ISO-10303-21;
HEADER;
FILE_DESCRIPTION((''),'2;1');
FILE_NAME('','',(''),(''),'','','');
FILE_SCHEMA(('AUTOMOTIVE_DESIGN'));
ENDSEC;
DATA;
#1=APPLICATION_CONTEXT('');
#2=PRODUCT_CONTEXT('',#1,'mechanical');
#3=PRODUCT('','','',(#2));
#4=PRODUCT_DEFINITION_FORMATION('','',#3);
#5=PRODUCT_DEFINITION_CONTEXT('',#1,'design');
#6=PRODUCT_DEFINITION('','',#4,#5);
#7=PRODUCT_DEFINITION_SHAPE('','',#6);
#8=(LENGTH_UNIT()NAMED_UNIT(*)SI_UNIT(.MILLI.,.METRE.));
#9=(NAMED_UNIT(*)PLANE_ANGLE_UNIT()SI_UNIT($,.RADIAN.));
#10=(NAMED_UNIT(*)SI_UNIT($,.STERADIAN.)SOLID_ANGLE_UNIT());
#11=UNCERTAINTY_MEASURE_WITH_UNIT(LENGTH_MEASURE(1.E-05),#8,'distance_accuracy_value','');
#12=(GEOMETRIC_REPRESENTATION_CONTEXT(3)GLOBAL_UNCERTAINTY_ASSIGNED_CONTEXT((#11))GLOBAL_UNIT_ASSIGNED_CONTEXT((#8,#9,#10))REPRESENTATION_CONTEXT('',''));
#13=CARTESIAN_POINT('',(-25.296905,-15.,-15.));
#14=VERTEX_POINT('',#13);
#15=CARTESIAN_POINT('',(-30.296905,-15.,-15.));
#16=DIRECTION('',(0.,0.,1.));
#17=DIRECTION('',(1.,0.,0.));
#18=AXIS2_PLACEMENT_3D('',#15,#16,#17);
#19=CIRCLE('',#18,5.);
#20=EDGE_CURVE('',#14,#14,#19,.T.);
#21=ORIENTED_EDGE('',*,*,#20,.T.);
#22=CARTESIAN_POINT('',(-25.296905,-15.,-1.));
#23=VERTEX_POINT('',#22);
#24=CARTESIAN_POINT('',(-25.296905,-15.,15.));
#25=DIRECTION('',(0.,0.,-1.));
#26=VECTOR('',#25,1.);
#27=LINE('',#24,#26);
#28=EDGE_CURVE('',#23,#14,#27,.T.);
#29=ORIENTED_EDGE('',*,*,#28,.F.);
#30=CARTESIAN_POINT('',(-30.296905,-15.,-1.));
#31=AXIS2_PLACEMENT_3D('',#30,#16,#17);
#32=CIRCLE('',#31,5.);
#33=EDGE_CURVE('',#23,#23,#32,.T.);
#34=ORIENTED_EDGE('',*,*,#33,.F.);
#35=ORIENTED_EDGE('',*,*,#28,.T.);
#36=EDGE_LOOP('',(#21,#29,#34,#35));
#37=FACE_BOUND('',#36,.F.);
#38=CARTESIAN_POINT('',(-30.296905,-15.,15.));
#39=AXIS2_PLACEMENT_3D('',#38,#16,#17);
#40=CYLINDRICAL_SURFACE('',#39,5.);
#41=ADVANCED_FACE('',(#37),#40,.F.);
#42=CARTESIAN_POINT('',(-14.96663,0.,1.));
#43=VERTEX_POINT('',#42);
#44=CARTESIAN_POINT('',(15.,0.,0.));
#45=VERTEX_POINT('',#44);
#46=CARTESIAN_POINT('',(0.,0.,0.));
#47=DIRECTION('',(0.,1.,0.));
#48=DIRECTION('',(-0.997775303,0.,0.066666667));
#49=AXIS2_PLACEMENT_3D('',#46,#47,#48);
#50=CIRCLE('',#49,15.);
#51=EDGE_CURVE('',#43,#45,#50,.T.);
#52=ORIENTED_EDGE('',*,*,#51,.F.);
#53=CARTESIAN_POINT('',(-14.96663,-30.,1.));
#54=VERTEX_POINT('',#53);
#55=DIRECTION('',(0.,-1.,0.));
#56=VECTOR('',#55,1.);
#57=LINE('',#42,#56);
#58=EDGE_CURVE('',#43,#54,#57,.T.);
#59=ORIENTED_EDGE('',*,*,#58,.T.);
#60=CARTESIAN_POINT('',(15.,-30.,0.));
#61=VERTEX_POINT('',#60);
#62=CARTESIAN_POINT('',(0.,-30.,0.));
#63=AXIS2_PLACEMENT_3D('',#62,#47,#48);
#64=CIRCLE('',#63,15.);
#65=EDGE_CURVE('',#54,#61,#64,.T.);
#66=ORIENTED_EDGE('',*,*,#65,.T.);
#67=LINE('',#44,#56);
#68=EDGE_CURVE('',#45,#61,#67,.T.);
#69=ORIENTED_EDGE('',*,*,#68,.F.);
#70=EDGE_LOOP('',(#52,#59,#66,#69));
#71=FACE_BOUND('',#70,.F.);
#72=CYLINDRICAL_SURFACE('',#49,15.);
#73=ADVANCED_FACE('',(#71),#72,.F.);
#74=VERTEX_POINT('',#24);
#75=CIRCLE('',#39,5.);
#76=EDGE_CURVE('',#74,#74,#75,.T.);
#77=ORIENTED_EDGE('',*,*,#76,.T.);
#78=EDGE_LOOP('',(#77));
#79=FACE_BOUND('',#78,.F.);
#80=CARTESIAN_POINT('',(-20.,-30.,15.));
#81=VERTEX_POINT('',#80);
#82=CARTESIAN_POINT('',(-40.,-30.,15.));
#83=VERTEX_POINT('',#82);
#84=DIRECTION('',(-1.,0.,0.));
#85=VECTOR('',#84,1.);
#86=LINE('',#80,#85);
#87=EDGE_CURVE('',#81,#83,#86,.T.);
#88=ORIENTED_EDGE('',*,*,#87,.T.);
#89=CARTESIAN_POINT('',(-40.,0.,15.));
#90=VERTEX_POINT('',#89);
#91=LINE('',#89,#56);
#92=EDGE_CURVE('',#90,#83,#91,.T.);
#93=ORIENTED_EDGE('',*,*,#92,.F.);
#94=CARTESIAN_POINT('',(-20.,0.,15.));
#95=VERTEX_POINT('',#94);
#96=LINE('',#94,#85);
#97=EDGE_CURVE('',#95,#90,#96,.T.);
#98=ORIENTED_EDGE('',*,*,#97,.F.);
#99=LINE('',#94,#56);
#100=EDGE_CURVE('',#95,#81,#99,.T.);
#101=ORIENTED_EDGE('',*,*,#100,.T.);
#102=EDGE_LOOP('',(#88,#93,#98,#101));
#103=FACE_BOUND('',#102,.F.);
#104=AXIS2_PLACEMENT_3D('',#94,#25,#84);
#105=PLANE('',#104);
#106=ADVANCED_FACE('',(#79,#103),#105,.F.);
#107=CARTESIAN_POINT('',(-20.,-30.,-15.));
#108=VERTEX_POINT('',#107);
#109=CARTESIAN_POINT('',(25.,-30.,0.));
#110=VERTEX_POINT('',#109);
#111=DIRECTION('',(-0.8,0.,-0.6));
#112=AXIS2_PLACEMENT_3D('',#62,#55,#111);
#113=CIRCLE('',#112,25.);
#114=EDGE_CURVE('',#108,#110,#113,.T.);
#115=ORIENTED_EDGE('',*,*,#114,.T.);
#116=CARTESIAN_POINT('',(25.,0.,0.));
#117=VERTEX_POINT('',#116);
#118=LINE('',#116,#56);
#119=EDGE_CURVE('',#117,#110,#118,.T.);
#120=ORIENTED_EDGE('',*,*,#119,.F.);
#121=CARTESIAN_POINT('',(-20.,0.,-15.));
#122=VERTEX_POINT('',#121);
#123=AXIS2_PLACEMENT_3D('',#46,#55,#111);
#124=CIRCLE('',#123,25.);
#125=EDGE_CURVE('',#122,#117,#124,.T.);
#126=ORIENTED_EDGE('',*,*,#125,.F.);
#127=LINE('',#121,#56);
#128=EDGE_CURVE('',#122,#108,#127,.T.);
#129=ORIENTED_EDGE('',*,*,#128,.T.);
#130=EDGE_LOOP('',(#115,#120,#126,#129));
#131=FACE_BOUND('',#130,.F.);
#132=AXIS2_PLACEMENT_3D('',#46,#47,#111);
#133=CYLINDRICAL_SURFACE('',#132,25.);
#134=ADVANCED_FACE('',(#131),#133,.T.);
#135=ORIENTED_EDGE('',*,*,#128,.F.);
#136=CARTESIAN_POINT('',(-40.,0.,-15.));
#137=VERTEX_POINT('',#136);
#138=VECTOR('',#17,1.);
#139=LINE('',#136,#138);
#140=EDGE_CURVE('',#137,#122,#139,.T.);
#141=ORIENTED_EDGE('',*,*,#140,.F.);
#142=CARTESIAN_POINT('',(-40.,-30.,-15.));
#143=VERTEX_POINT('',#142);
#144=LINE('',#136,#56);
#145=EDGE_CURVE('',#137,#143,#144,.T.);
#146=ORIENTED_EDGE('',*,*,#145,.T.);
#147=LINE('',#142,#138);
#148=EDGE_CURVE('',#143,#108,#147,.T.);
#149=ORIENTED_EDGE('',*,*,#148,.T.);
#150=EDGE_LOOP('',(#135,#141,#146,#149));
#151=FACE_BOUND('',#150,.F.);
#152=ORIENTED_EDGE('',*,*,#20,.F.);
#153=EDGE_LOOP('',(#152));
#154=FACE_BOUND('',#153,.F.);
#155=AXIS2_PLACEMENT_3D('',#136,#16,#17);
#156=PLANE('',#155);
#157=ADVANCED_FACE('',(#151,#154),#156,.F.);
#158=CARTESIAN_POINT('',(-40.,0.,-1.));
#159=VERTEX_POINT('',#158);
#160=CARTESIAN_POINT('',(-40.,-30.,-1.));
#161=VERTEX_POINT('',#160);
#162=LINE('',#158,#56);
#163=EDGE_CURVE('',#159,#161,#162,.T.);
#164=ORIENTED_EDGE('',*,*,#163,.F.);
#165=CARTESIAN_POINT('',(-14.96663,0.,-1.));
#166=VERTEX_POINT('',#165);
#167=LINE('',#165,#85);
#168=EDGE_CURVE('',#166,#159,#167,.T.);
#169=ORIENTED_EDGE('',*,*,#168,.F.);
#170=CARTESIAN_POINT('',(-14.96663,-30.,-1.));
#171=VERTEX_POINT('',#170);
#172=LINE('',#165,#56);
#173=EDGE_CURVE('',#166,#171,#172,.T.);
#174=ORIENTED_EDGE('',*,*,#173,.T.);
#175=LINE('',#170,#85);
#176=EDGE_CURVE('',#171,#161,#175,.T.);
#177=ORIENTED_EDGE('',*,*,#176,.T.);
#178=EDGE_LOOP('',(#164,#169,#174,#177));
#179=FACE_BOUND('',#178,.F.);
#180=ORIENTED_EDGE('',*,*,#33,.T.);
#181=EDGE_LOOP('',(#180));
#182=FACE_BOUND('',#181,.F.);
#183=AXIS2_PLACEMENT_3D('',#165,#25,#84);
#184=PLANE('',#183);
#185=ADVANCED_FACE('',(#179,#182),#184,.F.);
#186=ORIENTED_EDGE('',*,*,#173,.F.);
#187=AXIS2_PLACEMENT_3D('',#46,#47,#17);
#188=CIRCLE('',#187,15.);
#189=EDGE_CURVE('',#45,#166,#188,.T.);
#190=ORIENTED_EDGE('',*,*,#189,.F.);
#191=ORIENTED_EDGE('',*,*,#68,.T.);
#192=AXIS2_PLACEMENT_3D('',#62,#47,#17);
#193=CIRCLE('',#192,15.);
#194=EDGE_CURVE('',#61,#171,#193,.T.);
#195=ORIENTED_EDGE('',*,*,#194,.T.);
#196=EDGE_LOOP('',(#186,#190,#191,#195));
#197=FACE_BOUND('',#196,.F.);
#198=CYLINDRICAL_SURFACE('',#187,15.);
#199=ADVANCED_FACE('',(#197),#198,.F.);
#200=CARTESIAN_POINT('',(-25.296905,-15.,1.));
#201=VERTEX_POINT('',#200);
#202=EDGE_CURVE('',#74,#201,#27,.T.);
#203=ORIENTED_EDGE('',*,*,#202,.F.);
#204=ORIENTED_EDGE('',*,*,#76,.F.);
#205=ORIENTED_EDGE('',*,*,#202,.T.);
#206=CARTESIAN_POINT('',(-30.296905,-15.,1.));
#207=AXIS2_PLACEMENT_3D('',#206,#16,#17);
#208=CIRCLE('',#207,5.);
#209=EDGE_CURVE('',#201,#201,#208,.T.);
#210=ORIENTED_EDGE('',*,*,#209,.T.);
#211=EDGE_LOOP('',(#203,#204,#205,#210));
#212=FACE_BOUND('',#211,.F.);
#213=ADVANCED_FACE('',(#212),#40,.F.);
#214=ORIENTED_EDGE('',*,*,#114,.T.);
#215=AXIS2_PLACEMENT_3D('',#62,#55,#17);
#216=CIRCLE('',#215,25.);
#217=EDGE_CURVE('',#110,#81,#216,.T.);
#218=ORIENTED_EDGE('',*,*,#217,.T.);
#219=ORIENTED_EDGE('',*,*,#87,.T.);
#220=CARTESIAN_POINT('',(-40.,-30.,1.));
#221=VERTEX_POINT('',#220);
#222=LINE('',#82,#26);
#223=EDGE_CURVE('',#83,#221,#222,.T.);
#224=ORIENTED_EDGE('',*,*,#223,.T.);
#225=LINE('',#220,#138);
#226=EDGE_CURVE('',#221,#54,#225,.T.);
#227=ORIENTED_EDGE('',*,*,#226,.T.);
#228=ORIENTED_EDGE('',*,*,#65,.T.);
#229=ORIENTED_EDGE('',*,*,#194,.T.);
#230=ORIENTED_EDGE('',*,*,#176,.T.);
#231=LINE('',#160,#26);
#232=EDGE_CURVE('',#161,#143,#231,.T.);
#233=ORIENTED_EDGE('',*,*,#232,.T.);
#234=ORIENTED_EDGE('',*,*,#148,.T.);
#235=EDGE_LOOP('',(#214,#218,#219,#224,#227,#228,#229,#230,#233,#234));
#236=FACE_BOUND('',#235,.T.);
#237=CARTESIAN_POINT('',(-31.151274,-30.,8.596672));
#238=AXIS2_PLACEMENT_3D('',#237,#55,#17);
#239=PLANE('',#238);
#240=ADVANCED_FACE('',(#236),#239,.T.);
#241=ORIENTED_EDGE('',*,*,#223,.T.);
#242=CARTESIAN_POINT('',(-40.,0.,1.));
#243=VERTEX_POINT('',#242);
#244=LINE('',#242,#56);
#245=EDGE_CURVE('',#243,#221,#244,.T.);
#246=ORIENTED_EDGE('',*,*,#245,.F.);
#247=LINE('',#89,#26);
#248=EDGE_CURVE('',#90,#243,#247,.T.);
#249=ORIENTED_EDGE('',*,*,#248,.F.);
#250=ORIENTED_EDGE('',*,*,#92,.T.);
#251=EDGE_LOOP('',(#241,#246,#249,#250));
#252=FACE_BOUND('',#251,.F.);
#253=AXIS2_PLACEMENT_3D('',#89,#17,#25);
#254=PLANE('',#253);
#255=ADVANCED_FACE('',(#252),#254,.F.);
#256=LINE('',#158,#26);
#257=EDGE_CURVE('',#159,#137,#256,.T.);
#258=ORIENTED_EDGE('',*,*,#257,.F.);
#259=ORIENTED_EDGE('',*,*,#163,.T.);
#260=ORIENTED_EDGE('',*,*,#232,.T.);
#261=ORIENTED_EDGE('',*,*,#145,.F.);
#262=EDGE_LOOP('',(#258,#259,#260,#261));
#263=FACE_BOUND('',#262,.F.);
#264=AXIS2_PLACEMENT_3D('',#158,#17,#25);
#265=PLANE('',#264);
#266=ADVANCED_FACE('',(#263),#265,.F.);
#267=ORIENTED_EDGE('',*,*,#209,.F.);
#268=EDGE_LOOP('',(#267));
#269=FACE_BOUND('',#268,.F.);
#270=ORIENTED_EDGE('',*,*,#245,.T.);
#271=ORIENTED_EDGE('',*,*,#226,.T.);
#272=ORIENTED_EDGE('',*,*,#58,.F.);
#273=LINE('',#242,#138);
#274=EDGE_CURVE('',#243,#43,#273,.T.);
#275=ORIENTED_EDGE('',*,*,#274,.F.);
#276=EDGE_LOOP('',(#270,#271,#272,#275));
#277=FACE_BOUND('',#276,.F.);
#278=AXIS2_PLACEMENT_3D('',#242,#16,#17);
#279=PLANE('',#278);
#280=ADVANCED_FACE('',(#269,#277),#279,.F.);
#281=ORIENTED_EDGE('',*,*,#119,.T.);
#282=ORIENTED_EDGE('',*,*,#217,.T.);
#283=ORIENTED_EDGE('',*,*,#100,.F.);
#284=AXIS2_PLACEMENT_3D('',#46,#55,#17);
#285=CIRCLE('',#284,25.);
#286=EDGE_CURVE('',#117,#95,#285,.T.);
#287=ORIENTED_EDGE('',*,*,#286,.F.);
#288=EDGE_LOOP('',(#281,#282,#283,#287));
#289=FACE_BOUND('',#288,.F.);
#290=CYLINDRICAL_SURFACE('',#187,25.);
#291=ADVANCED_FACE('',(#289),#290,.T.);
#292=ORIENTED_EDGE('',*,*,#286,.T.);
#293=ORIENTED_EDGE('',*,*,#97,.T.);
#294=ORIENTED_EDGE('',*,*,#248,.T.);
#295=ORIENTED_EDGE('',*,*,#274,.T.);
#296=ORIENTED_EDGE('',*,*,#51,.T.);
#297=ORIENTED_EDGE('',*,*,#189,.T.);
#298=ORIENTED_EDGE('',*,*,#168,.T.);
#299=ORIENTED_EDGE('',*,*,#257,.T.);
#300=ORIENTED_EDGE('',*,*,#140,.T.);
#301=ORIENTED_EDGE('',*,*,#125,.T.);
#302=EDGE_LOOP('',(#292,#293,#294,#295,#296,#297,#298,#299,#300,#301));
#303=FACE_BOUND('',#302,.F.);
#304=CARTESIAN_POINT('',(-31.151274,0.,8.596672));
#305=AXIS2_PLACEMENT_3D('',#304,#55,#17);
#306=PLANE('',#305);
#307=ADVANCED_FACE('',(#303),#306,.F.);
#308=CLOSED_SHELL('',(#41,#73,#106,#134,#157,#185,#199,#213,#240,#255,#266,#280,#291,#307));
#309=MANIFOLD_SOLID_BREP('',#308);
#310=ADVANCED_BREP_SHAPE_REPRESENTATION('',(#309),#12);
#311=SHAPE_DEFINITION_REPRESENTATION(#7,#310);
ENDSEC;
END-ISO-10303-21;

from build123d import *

# Parameters (mm, degrees)
F1_DEPTH = 30
F2_R     = 5
F3_DEPTH = 40.001


with BuildPart() as f1:
    # F0 (on Front) → F1 (new body)
    with BuildSketch(Plane.XZ):
        with BuildLine():
            Line((-40, 1), (-24.9799919936, 1))
            ThreePointArc((-24.9799919936, 1), (-23.5541911331, 8.3785488042), (-20, 15))
            Line((-20, 15), (-40, 15))
            Line((-40, 15), (-40, 1))
        make_face()
        with BuildLine():
            ThreePointArc((-14.9666295471, 1), (0.5002783193, 14.9916550655), (15, 0))
            ThreePointArc((15, 0), (0.5002783193, -14.9916550655), (-14.9666295471, -1))
            Line((-14.9666295471, -1), (-24.9799919936, -1))
            ThreePointArc((-24.9799919936, -1), (-23.5541911331, -8.3785488042), (-20, -15))
            ThreePointArc((-20, -15), (7.9056941504, -23.7170824513), (25, 0))
            ThreePointArc((25, 0), (7.9056941504, 23.7170824513), (-20, 15))
            ThreePointArc((-20, 15), (-23.5541911331, 8.3785488042), (-24.9799919936, 1))
            Line((-24.9799919936, 1), (-14.9666295471, 1))
        make_face()
        with BuildLine():
            ThreePointArc((-20, -15), (-23.5541911331, -8.3785488042), (-24.9799919936, -1))
            Line((-24.9799919936, -1), (-40, -1))
            Line((-40, -1), (-40, -15))
            Line((-40, -15), (-20, -15))
        make_face()
    extrude(amount=F1_DEPTH)

    # F2 (on face) → F3 (cut, through all)
    with BuildSketch(Plane.XY.offset(15)):
        with Locations((-30.2969049662, -15)):
            Circle(F2_R)
    extrude(amount=-F3_DEPTH, mode=Mode.SUBTRACT)


solid = f1.part
